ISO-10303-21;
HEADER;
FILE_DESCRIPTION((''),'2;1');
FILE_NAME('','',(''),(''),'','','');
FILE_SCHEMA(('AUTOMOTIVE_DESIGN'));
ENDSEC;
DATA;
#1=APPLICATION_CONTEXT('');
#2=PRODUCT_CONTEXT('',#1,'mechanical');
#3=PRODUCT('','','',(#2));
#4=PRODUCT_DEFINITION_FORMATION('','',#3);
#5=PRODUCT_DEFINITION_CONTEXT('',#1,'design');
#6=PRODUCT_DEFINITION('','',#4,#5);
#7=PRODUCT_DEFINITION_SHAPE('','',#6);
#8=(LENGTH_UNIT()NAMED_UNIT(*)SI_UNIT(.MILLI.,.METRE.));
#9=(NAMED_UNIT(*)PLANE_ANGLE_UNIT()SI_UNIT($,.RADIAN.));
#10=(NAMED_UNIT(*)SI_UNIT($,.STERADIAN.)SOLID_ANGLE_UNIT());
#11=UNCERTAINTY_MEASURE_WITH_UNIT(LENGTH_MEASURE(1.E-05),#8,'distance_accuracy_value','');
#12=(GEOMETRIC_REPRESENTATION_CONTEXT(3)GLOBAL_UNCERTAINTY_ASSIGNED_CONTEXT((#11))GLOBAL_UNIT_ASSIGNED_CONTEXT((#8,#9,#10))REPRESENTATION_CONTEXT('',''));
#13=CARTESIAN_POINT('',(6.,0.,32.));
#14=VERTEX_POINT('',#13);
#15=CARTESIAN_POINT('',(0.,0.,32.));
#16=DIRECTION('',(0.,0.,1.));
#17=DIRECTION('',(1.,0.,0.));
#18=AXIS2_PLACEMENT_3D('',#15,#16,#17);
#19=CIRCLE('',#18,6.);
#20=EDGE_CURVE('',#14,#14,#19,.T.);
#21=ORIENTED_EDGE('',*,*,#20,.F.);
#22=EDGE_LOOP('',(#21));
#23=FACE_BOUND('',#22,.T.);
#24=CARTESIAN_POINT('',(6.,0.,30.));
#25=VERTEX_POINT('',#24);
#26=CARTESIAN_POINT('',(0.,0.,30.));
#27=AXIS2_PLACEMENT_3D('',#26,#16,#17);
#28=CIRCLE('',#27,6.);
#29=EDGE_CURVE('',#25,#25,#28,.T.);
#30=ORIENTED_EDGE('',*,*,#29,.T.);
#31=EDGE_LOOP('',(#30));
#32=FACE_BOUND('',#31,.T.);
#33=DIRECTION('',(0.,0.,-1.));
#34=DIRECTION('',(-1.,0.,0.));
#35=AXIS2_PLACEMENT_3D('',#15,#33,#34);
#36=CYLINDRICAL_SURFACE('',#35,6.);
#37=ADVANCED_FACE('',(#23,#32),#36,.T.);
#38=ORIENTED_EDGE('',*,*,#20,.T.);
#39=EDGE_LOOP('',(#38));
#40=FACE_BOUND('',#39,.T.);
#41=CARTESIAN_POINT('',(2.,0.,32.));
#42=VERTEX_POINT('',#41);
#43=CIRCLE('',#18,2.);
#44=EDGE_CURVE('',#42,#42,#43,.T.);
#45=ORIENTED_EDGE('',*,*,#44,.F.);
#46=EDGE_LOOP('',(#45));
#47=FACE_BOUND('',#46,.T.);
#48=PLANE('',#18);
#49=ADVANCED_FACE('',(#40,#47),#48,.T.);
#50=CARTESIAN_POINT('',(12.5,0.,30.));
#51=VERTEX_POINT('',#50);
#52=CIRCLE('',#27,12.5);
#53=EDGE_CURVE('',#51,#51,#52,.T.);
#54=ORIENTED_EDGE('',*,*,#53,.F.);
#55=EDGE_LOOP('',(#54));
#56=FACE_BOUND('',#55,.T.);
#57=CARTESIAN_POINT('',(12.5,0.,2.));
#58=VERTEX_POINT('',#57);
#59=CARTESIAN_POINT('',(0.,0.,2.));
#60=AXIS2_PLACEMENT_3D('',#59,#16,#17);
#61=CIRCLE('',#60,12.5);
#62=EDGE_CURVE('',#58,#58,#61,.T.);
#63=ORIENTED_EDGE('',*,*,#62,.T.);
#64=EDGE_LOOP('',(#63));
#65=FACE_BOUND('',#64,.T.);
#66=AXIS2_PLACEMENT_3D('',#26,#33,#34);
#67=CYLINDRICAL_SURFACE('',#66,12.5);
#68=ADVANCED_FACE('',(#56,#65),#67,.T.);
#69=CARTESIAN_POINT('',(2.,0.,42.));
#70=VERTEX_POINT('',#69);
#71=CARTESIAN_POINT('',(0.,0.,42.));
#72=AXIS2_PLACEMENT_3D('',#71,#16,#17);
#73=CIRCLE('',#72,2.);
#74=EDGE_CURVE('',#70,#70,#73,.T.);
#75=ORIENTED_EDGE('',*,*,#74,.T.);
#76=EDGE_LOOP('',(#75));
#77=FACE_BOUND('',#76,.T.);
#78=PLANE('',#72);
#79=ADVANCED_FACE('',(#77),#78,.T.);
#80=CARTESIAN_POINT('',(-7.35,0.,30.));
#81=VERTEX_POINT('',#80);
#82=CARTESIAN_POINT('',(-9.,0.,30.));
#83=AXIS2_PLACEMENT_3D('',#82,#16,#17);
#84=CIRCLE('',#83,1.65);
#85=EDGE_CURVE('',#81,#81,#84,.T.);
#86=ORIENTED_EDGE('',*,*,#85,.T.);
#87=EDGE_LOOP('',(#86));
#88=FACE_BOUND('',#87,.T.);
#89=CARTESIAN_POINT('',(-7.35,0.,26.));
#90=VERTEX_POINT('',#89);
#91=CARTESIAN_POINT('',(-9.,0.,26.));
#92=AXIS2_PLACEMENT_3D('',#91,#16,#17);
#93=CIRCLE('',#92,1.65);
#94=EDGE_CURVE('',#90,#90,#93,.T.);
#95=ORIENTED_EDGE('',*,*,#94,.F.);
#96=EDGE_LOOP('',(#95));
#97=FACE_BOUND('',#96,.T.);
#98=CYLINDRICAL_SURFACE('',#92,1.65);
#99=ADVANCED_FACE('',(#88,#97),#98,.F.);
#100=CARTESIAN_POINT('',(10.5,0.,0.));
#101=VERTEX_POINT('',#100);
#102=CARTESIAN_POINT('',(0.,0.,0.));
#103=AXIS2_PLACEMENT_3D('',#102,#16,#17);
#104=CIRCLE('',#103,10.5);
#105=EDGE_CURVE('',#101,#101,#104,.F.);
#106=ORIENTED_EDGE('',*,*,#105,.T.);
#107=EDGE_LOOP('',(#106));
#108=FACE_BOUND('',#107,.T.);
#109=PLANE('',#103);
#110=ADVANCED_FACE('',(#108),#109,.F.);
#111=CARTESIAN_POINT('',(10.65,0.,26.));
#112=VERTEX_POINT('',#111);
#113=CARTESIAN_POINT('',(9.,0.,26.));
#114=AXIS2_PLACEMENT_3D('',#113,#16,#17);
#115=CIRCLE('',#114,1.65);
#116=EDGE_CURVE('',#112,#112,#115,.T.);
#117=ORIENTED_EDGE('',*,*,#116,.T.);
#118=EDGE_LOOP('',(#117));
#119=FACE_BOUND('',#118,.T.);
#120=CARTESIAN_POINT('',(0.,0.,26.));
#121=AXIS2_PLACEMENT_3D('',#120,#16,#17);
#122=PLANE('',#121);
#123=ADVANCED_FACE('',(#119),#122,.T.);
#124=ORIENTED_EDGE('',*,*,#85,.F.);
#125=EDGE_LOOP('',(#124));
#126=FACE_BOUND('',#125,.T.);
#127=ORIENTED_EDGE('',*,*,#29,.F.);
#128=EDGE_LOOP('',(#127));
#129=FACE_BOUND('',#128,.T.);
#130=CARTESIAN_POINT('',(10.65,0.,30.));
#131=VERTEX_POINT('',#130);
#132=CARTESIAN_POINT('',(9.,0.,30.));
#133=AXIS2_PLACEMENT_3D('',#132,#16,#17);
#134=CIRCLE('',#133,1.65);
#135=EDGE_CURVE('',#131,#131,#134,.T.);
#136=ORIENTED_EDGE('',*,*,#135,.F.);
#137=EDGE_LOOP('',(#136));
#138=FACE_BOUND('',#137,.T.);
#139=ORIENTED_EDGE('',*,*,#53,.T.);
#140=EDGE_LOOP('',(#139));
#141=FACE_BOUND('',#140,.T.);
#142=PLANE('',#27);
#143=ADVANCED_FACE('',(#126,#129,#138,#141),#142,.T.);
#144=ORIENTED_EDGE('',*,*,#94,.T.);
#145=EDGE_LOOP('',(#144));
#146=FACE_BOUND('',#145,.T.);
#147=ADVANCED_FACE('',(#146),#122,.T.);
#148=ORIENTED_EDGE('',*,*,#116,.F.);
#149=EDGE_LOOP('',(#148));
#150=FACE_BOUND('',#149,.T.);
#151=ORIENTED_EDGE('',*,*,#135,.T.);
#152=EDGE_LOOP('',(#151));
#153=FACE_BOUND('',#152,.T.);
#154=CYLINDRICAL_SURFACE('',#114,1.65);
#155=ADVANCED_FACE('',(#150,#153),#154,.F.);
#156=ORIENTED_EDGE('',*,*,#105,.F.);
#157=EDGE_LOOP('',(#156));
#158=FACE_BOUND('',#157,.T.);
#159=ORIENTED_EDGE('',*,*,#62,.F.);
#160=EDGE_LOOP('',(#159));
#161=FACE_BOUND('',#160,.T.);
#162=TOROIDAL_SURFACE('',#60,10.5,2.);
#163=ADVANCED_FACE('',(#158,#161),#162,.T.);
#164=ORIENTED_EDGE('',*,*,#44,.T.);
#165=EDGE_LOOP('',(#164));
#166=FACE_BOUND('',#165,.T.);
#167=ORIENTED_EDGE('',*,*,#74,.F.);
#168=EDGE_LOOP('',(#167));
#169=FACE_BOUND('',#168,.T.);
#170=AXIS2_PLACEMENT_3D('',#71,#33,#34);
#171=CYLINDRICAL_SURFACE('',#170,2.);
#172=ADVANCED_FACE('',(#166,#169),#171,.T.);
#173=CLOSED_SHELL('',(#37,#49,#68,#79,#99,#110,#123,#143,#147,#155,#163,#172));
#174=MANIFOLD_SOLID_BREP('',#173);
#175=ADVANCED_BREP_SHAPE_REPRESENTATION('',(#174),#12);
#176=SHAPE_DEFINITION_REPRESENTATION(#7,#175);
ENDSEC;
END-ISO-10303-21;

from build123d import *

# Parameters (mm, degrees)
SKETCH_1_R          = 12.5
EXTRUDE_1_DEPTH     = 30
SKETCH_3_R          = 1.65
CUT_EXTRUDE_1_DEPTH = 4
SKETCH_4_R          = 6
EXTRUDE_2_DEPTH     = 2
SKETCH_5_R          = 2
EXTRUDE_3_DEPTH     = 10
FILLET_1_R          = 2


with BuildPart() as part:
    # 草图1 → 凸台-拉伸1 (new body)
    with BuildSketch(Plane.XY):
        Circle(SKETCH_1_R)
    extrude(amount=EXTRUDE_1_DEPTH)

    # 草图3 → 切除-拉伸1 (cut)
    with BuildSketch(Plane.XY.offset(30)):
        with Locations((-9, 0)):
            Circle(SKETCH_3_R)
        with Locations((9, 0)):
            Circle(SKETCH_3_R)
    extrude(amount=-CUT_EXTRUDE_1_DEPTH, mode=Mode.SUBTRACT)

    # 草图4 → 凸台-拉伸2 (add)
    with BuildSketch(Plane.XY.offset(30)):
        Circle(SKETCH_4_R)
    extrude(amount=EXTRUDE_2_DEPTH)

    # 草图5 → 凸台-拉伸3 (add)
    with BuildSketch(Plane.XY.offset(32)):
        Circle(SKETCH_5_R)
    extrude(amount=EXTRUDE_3_DEPTH)

    # 圆角1
    fillet_1_edges = [part.edges().sort_by_distance(p)[0] for p in [
        (-12.5, 0, 0),
    ]]
    fillet(fillet_1_edges, radius=FILLET_1_R)


solid = part.part
